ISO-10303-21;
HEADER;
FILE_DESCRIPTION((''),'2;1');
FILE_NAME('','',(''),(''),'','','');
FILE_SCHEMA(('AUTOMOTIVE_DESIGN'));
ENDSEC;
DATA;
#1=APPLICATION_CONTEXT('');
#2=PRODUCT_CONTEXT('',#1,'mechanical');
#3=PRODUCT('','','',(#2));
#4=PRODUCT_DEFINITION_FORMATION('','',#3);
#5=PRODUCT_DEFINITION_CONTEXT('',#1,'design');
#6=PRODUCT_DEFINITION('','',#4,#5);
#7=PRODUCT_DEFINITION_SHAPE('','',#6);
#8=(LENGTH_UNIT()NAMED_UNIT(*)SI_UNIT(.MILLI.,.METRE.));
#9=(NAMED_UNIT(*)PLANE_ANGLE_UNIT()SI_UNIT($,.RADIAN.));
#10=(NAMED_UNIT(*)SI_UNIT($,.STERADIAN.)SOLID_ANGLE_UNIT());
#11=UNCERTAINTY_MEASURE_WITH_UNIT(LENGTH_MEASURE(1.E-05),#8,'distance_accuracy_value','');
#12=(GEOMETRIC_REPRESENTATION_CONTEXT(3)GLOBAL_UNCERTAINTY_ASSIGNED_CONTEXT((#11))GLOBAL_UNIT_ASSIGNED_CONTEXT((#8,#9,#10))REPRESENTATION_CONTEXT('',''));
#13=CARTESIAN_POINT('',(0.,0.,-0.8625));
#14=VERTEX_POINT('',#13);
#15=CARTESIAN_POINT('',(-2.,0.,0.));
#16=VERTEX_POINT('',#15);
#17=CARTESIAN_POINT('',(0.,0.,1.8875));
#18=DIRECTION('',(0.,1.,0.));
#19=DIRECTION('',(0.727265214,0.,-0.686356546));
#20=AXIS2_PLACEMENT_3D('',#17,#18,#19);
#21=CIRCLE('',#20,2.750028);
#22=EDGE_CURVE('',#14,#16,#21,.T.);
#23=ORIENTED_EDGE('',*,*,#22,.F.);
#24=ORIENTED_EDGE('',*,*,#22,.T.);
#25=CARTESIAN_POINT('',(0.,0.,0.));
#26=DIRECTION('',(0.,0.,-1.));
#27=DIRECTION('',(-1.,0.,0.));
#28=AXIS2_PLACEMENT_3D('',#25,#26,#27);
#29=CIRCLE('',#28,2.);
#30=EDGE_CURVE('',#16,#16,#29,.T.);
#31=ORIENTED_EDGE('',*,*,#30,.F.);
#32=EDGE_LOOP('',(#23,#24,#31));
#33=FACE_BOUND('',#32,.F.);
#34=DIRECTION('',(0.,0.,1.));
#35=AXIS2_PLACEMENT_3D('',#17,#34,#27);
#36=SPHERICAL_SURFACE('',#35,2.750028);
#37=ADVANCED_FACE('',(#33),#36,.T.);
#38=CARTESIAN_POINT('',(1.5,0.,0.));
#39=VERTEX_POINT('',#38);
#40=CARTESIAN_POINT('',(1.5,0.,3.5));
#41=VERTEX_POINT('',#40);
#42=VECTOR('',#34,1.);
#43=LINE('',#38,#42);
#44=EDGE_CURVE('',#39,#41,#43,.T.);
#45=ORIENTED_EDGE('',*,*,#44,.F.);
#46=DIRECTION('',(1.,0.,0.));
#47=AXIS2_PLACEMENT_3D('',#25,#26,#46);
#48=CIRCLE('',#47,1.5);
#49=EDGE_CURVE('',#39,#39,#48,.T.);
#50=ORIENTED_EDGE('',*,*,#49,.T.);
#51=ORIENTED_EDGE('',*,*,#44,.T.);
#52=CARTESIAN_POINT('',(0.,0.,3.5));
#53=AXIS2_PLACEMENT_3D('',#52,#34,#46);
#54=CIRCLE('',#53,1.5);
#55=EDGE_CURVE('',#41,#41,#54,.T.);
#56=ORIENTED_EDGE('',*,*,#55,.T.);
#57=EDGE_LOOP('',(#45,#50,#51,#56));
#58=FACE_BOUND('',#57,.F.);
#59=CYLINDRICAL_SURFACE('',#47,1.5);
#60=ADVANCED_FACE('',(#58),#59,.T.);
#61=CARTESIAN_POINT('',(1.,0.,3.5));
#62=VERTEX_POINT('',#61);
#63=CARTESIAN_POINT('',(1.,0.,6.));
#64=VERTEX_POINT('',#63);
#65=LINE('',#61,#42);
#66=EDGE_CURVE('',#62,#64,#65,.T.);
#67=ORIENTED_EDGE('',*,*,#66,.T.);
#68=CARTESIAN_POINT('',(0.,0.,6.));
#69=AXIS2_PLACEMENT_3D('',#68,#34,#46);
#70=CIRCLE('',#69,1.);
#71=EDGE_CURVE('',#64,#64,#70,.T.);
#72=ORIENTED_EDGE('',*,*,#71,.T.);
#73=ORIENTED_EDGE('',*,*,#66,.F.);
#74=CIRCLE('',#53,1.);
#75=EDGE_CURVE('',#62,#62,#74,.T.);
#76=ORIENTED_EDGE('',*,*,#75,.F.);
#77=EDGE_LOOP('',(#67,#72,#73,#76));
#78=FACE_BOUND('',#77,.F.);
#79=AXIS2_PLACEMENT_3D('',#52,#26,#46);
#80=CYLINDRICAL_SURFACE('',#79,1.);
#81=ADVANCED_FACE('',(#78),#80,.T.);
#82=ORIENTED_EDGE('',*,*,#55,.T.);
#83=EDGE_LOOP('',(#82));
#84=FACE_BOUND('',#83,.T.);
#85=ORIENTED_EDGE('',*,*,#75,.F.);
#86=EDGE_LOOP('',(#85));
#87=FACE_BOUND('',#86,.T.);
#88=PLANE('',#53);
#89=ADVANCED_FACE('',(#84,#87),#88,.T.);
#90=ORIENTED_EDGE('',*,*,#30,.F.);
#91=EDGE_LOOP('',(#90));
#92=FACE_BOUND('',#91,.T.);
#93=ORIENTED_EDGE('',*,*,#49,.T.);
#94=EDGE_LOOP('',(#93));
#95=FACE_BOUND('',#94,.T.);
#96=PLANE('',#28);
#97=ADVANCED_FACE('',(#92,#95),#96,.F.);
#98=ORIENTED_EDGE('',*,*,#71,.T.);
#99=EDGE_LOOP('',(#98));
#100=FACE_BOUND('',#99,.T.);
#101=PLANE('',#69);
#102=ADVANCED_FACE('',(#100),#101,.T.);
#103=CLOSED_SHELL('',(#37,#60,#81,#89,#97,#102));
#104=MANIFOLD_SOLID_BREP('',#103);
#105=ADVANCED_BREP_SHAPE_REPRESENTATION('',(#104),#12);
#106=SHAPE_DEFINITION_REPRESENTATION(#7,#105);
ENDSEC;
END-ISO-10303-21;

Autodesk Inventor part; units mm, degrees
ref_plane "YZ Plane" through (0, 0, 0) normal (1, 0, 0) x (0, 1, 0)
ref_plane "XZ Plane" through (0, 0, 0) normal (0, 1, 0) x (-1, 0, 0)
ref_plane "XY Plane" through (0, 0, 0) normal (0, 0, 1) x (1, 0, 0)
sketch "Skizze1" plane through (0, 0, 0) normal (0, 0, 1) x (1, 0, 0)
  circle A0 centre (0, 0) radius 1.5
  dimension "d0" = 3
extrude "Extrusion1" add sketch "Skizze1" along normal blind 3.5
sketch "Skizze2" plane through (0, 0, 3.5) normal (0, 0, 1) x (1, 0, 0)
  circle A0 centre (0, 0) radius 1
  dimension "d3" = 2
extrude "Extrusion2" add sketch "Skizze2" along normal blind 2.5
sketch "Skizze3" plane through (0, 0, 0) normal (0, 1, 0) x (-1, 0, 0)
  line L0 (0, 0) -> (2, 0)
  line L1 (1.5, 0) -> (-1.5, 0) projected
  arc A0 (-2, 0) -> (2, 0) centre (0, 1.8875) ccw
  line L2 (0, 0) -> (0, -0.8625)
  dimension "d6" = 2
  dimension "d7" = 4
  dimension "d8" = 2.75
revolve "Umdrehung1" add sketch "Skizze3" angle 360 about axis through (0, 0, 0) along (0, 0, -1)
thread "Gewinde1" size "M2x0.25" class "6g" standard "ANSI Metric M Profile" length 10
properties part number "m2mit025"
